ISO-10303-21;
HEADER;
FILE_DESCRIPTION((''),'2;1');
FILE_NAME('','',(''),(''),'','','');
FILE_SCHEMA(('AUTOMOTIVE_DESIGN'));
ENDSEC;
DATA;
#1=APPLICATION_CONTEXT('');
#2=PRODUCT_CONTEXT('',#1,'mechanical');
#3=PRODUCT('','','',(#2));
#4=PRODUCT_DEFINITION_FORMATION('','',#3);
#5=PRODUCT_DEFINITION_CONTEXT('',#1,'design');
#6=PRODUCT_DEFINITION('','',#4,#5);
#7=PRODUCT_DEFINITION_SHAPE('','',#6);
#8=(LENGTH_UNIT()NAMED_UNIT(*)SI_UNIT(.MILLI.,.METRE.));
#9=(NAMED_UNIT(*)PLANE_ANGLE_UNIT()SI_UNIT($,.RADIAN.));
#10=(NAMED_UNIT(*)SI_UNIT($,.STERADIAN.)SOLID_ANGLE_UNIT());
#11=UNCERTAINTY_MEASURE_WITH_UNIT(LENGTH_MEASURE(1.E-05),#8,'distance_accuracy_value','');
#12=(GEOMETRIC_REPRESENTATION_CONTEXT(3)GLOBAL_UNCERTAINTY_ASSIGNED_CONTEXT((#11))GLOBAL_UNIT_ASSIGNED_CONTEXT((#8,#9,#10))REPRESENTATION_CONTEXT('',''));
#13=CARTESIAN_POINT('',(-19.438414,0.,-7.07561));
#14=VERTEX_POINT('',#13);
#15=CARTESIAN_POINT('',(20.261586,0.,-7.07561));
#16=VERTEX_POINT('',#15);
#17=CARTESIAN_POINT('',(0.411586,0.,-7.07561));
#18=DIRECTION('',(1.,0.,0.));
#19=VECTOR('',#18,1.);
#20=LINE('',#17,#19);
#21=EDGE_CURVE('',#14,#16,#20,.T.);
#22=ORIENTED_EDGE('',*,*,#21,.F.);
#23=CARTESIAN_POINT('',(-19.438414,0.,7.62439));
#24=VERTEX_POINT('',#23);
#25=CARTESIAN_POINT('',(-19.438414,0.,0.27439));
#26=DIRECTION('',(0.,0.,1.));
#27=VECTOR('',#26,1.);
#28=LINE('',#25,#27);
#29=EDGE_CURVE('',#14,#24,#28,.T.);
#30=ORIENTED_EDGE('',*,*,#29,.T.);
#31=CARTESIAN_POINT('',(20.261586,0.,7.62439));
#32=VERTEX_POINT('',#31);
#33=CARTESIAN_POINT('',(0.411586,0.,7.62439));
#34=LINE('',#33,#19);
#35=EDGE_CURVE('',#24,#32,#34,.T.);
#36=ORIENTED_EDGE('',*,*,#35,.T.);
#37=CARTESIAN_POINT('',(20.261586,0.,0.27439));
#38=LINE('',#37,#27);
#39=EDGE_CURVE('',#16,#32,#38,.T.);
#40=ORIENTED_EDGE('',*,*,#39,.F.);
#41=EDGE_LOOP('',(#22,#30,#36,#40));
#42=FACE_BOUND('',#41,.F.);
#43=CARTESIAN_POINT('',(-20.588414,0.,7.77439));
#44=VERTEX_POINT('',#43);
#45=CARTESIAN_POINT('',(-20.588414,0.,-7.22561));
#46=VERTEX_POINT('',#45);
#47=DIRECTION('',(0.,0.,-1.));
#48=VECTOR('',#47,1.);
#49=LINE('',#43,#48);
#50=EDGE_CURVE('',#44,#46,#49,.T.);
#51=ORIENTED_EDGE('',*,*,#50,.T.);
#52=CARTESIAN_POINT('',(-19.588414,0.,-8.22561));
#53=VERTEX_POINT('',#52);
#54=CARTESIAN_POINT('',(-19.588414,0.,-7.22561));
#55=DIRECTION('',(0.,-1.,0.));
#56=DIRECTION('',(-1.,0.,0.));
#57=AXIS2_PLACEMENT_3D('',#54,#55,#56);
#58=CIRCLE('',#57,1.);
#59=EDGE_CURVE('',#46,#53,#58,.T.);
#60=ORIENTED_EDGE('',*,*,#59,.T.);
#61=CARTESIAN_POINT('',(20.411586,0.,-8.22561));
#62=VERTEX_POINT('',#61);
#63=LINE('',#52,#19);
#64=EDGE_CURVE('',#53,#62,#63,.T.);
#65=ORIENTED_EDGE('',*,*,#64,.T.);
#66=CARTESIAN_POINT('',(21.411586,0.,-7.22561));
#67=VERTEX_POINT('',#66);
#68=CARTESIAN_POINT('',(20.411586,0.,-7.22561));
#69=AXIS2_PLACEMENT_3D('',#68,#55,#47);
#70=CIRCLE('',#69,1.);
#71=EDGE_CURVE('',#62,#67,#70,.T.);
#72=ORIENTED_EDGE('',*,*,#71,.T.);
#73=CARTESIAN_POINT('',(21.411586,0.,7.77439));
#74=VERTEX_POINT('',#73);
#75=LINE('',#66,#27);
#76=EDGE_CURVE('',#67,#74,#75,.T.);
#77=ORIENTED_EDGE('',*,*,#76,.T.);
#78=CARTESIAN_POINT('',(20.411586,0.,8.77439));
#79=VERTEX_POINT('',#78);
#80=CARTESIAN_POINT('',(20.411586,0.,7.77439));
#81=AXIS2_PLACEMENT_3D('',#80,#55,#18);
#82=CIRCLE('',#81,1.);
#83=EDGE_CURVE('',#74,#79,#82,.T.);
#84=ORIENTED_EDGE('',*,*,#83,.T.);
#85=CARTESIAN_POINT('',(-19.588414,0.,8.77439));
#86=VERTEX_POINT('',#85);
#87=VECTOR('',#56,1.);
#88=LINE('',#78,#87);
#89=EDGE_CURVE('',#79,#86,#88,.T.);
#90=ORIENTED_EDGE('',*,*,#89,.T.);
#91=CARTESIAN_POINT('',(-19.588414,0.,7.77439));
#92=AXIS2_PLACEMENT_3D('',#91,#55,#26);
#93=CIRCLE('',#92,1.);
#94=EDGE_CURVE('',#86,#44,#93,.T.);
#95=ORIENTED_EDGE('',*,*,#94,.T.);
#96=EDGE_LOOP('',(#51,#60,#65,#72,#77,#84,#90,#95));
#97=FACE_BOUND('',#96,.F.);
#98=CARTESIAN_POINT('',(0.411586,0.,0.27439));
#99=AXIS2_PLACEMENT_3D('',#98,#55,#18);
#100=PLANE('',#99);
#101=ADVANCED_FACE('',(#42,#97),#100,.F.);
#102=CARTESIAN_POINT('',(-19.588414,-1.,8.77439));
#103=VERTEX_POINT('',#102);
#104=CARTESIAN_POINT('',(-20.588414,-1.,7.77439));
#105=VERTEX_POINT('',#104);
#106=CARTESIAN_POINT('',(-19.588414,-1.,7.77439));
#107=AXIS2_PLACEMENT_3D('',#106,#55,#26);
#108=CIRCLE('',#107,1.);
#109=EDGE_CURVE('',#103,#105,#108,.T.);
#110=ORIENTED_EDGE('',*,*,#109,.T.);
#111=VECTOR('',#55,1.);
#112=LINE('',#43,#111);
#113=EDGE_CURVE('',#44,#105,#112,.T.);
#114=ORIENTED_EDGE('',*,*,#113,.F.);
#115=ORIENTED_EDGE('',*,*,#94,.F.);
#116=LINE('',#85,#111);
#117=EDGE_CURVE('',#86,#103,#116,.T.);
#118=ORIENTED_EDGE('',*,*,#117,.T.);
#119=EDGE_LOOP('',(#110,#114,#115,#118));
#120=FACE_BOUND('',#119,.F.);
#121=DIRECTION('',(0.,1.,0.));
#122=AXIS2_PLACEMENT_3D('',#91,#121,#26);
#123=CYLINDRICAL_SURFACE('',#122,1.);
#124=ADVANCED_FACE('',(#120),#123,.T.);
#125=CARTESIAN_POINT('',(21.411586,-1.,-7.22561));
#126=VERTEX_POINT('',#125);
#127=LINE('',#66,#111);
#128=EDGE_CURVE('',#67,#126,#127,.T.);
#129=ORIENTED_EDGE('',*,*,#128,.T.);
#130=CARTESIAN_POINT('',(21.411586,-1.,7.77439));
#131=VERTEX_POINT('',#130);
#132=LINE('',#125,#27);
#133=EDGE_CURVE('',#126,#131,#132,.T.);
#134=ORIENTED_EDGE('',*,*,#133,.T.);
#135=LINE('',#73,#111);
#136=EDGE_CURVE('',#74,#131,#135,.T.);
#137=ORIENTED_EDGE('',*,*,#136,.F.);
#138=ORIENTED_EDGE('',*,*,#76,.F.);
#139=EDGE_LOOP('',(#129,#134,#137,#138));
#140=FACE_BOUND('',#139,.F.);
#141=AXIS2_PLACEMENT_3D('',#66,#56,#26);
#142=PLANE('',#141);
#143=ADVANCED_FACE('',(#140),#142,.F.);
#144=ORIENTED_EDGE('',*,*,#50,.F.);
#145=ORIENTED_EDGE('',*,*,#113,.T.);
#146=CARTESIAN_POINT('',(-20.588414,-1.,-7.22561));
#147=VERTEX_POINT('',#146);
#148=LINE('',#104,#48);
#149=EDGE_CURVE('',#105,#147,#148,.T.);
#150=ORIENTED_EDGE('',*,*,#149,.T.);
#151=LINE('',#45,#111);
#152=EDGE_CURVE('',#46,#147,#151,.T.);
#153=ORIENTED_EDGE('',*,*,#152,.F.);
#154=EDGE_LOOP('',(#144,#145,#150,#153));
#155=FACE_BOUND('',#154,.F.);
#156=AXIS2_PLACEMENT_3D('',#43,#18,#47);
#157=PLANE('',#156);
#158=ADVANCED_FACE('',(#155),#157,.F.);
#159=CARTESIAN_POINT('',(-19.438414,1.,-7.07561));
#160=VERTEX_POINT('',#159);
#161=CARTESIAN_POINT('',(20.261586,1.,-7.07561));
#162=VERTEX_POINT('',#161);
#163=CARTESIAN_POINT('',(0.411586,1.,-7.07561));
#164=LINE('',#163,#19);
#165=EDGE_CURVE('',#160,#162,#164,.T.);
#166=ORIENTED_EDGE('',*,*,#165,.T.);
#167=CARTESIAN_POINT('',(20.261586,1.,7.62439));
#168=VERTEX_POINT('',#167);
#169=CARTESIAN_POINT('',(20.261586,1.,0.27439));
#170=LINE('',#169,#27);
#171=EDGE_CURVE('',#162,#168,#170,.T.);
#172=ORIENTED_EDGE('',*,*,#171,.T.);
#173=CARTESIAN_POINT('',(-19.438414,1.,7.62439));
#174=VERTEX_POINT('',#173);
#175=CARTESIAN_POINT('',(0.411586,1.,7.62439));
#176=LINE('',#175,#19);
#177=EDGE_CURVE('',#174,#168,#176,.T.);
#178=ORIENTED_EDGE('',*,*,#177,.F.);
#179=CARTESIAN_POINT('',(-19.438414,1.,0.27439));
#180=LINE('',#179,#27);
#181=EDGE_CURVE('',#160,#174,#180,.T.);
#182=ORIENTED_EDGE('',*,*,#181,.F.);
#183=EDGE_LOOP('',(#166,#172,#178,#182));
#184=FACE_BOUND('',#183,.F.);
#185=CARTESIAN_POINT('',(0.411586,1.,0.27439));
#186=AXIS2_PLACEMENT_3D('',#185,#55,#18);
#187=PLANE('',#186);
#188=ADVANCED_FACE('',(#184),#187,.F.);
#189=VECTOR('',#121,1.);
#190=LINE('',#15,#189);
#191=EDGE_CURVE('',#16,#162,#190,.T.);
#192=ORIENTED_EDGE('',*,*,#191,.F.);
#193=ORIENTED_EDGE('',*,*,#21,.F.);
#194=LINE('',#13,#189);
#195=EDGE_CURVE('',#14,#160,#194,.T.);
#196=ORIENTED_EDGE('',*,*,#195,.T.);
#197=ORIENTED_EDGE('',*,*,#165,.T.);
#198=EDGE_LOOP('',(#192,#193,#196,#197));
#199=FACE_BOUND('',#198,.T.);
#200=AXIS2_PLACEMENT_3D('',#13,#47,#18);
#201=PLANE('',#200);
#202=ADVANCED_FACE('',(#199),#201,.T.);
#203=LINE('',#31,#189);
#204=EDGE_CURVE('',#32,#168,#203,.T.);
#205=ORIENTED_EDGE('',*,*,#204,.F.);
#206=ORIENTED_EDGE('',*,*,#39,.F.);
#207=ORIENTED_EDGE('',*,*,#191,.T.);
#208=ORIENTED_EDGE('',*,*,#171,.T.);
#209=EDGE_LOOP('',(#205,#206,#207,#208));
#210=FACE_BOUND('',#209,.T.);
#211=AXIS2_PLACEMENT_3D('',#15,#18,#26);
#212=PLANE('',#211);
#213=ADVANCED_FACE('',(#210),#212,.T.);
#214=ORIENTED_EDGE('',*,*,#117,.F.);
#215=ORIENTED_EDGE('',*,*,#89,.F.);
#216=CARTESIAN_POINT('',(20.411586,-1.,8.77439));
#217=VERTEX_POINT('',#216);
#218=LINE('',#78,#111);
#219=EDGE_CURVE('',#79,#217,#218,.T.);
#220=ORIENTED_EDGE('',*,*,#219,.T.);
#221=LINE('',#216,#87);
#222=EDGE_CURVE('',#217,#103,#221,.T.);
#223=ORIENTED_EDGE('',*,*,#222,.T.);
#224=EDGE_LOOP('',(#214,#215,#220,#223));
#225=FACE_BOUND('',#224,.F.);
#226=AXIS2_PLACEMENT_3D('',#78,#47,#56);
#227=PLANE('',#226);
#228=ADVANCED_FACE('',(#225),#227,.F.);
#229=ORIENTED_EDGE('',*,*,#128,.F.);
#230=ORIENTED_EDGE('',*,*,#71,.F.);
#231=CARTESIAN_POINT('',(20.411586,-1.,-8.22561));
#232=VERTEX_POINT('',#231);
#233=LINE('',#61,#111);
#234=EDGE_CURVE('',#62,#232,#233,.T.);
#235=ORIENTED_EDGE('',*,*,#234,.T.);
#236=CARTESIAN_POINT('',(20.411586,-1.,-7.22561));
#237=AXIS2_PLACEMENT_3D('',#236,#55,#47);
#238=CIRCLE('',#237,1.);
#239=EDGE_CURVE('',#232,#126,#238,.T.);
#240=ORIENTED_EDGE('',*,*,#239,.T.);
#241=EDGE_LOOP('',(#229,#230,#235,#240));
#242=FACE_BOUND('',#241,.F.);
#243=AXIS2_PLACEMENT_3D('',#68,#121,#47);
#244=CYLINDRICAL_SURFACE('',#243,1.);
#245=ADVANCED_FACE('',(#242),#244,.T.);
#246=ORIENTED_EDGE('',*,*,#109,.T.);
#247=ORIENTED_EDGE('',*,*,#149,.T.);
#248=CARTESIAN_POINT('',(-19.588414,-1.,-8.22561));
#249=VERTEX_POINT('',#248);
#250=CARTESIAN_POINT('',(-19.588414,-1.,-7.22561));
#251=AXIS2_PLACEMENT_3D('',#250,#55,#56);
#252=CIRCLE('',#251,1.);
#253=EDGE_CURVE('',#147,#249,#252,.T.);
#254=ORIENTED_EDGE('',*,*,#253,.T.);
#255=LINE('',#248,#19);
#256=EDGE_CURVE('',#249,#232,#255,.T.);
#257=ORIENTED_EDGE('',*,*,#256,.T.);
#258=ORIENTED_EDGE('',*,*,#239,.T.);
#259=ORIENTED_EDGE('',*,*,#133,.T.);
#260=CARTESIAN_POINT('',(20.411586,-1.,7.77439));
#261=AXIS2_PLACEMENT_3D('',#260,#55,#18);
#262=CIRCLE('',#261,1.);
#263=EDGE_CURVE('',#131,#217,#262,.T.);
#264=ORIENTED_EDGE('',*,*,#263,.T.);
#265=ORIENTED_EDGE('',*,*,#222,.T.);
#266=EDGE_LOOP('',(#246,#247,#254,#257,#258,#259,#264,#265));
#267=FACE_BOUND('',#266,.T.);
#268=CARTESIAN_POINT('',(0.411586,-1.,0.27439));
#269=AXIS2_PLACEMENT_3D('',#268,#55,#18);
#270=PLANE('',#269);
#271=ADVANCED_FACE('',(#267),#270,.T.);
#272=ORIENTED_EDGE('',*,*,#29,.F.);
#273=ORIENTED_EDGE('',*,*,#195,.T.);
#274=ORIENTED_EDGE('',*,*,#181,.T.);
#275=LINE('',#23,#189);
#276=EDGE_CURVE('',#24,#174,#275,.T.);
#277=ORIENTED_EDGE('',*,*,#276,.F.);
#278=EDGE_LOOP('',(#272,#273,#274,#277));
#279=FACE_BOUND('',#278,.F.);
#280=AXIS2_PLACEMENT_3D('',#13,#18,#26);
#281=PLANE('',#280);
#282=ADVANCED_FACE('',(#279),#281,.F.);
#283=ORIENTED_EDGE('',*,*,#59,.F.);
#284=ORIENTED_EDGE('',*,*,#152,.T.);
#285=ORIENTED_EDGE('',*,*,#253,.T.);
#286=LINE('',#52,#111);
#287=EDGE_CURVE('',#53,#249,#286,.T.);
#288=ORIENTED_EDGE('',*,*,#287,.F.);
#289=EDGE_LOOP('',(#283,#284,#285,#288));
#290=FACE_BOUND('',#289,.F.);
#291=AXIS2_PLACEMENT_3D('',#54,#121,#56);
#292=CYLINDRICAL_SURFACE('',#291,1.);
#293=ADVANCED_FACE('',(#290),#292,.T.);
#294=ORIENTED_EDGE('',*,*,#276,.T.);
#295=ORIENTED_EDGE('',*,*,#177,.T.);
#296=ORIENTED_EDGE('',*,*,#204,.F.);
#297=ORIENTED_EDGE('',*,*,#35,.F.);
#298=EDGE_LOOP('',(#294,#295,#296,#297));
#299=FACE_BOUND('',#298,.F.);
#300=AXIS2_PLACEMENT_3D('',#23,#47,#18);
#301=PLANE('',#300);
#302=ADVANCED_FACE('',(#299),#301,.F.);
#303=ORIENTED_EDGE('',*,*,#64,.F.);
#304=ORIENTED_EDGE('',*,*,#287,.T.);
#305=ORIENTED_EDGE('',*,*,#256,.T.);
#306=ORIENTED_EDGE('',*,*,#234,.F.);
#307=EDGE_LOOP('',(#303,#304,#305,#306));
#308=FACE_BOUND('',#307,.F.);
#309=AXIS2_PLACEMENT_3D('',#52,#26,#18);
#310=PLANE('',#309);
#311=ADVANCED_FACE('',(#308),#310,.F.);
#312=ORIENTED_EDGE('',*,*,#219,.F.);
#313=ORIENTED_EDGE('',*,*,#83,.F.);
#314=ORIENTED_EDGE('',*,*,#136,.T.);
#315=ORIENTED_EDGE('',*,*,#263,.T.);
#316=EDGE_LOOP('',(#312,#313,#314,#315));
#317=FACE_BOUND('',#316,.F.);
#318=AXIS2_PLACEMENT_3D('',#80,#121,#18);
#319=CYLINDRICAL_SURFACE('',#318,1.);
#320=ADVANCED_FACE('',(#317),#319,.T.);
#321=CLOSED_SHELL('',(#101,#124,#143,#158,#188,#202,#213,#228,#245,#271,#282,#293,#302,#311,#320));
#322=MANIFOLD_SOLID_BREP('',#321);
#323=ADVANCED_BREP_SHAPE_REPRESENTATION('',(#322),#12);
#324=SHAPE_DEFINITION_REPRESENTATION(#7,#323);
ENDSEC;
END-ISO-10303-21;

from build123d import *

# Parameters (mm, degrees)
F0_W     = 39.7
F0_H     = 14.7
F1_DEPTH = 1
F2_DEPTH = 1


with BuildPart() as f1:
    # F0 (on Front) → F1 (new body)
    with BuildSketch(Plane.XZ):
        with BuildLine():
            Line((-19.5884138916, -8.2256097558), (20.4115861084, -8.2256097558))
            ThreePointArc((20.4115861084, -8.2256097558), (21.1186928896, -7.932716537), (21.4115861084, -7.2256097558))
            Line((21.4115861084, -7.2256097558), (21.4115861084, 7.7743902442))
            ThreePointArc((21.4115861084, 7.7743902442), (21.1186928896, 8.4814970253), (20.4115861084, 8.7743902442))
            Line((20.4115861084, 8.7743902442), (-19.5884138916, 8.7743902442))
            ThreePointArc((-19.5884138916, 8.7743902442), (-20.2955206728, 8.4814970253), (-20.5884138916, 7.7743902442))
            Line((-20.5884138916, 7.7743902442), (-20.5884138916, -7.2256097558))
            ThreePointArc((-20.5884138916, -7.2256097558), (-20.2955206728, -7.932716537), (-19.5884138916, -8.2256097558))
        make_face()
        with Locations((0.4115861084, 0.2743902442)):
            Rectangle(F0_W, F0_H, mode=Mode.SUBTRACT)
        with Locations((0.4115861084, 0.2743902442)):
            Rectangle(F0_W, F0_H)
    extrude(amount=F1_DEPTH)

    # F0 (on Front) → F2 (join)
    with BuildSketch(Plane.XZ):
        with Locations((0.4115861084, 0.2743902442)):
            Rectangle(F0_W, F0_H)
    extrude(amount=-F2_DEPTH)


solid = f1.part
